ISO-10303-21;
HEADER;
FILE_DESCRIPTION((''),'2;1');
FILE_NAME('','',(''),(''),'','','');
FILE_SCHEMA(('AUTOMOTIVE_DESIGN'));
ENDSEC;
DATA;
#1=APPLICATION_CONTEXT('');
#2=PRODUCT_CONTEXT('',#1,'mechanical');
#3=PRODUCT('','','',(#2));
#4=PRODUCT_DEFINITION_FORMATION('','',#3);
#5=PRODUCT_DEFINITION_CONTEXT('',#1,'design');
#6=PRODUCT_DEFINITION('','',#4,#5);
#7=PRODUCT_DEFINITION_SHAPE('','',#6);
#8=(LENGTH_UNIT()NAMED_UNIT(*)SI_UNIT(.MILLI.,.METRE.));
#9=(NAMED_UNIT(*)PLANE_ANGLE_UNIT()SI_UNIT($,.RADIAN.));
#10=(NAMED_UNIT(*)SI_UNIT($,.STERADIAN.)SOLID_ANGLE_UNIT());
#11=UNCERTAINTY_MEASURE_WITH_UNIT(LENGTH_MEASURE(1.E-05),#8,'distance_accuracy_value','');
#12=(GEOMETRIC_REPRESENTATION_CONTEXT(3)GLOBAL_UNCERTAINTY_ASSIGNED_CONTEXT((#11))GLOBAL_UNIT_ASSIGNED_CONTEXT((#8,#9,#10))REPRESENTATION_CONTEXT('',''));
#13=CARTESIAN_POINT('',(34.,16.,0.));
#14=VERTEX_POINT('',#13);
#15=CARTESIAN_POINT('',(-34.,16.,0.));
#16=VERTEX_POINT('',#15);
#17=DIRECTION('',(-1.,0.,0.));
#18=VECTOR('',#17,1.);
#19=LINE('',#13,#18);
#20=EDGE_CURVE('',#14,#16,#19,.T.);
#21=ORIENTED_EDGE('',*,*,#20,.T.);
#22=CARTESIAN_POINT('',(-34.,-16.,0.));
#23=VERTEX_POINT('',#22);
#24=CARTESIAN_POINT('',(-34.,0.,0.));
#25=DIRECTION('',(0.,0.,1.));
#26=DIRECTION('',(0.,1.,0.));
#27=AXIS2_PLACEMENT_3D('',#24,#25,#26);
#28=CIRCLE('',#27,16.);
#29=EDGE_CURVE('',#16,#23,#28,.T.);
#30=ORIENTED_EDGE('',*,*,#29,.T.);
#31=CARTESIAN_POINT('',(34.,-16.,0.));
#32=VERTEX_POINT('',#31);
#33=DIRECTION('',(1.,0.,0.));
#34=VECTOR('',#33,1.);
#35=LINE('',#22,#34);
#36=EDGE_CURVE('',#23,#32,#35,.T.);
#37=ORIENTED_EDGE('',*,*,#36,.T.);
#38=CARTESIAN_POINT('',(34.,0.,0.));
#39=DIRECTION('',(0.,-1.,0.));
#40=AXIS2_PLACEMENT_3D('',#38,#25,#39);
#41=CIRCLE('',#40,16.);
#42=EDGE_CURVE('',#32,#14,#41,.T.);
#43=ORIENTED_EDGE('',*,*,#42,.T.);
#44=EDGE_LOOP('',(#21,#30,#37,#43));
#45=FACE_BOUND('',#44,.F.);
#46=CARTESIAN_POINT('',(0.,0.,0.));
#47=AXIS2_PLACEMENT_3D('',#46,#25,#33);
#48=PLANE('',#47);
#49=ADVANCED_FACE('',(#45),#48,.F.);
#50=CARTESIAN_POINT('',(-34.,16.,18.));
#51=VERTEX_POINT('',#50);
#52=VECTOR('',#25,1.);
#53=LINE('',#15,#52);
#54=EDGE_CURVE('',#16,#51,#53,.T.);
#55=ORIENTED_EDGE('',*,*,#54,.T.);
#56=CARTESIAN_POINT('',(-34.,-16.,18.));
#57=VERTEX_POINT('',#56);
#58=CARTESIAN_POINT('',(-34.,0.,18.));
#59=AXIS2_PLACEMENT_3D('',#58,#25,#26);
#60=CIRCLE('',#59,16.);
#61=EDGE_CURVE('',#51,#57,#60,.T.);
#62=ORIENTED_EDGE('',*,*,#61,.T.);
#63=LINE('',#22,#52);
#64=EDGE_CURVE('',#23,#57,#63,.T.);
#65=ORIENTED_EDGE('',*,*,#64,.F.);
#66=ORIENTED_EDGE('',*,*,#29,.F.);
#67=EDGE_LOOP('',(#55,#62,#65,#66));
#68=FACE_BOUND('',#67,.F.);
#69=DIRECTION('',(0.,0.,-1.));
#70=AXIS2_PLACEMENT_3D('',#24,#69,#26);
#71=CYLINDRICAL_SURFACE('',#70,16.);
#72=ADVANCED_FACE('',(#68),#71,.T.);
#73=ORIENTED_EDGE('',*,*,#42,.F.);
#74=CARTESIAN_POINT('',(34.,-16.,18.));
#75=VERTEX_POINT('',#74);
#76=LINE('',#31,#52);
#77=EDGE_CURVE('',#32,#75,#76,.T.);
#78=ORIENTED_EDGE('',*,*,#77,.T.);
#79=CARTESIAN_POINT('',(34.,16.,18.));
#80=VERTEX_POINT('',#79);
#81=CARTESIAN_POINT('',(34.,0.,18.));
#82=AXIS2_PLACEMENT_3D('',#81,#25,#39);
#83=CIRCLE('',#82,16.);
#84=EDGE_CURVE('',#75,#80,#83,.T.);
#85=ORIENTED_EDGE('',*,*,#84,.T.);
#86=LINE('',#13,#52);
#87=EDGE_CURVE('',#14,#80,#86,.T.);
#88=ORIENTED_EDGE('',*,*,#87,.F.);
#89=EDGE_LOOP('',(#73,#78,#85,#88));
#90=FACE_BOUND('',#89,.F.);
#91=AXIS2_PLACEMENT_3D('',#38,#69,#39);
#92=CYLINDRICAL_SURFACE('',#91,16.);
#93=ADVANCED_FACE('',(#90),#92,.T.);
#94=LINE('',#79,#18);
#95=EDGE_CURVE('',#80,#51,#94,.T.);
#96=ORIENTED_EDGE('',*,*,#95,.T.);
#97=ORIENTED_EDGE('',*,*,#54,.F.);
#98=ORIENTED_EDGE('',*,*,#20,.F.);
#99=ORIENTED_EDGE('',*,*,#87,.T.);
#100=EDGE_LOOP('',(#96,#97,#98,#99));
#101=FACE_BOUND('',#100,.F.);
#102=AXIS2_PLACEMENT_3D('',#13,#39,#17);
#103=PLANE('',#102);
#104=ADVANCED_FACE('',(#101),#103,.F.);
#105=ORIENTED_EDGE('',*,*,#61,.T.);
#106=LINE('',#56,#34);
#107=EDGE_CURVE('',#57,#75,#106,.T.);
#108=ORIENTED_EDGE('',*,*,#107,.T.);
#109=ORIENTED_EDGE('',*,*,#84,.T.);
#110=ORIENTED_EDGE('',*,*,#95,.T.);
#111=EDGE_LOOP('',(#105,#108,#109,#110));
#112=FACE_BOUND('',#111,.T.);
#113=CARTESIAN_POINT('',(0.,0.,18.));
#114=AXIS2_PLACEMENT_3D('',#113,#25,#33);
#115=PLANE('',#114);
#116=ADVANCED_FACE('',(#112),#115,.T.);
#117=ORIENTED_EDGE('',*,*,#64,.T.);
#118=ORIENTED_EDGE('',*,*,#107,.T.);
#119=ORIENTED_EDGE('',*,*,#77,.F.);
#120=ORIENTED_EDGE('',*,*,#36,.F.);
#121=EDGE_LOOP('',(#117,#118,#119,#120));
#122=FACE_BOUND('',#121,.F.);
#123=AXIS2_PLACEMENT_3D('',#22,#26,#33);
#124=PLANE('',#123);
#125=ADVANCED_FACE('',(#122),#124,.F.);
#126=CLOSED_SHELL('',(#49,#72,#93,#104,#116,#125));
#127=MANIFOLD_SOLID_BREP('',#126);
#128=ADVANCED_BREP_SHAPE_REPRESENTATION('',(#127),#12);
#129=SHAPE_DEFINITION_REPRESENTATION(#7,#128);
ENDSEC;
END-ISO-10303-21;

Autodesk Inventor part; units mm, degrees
ref_plane "YZ Plane" through (0, 0, 0) normal (1, 0, 0) x (0, 1, 0)
ref_plane "XZ Plane" through (0, 0, 0) normal (0, 1, 0) x (-1, 0, 0)
ref_plane "XY Plane" through (0, 0, 0) normal (0, 0, 1) x (1, 0, 0)
sketch "草图1" plane through (0, 0, 0) normal (0, 0, 1) x (1, 0, 0)
  line L0 (-34, 0) -> (34, 0) construction
  line L1 (-34, -16) -> (34, -16)
  line L2 (34, 16) -> (-34, 16)
  arc A0 (-34, 16) -> (-34, -16) centre (-34, 0) ccw
  arc A1 (34, -16) -> (34, 16) centre (34, 0) ccw
  line L3 (-70, 0) -> (70, 0) construction
  line L4 (0, 22.4) -> (0, -22.4) construction
  point P0 (0, 0)
  dimension "d2" = 100
  dimension "d3" = 32
extrude "拉伸2" add sketch "草图1" along normal blind 18
properties part number "key5"
